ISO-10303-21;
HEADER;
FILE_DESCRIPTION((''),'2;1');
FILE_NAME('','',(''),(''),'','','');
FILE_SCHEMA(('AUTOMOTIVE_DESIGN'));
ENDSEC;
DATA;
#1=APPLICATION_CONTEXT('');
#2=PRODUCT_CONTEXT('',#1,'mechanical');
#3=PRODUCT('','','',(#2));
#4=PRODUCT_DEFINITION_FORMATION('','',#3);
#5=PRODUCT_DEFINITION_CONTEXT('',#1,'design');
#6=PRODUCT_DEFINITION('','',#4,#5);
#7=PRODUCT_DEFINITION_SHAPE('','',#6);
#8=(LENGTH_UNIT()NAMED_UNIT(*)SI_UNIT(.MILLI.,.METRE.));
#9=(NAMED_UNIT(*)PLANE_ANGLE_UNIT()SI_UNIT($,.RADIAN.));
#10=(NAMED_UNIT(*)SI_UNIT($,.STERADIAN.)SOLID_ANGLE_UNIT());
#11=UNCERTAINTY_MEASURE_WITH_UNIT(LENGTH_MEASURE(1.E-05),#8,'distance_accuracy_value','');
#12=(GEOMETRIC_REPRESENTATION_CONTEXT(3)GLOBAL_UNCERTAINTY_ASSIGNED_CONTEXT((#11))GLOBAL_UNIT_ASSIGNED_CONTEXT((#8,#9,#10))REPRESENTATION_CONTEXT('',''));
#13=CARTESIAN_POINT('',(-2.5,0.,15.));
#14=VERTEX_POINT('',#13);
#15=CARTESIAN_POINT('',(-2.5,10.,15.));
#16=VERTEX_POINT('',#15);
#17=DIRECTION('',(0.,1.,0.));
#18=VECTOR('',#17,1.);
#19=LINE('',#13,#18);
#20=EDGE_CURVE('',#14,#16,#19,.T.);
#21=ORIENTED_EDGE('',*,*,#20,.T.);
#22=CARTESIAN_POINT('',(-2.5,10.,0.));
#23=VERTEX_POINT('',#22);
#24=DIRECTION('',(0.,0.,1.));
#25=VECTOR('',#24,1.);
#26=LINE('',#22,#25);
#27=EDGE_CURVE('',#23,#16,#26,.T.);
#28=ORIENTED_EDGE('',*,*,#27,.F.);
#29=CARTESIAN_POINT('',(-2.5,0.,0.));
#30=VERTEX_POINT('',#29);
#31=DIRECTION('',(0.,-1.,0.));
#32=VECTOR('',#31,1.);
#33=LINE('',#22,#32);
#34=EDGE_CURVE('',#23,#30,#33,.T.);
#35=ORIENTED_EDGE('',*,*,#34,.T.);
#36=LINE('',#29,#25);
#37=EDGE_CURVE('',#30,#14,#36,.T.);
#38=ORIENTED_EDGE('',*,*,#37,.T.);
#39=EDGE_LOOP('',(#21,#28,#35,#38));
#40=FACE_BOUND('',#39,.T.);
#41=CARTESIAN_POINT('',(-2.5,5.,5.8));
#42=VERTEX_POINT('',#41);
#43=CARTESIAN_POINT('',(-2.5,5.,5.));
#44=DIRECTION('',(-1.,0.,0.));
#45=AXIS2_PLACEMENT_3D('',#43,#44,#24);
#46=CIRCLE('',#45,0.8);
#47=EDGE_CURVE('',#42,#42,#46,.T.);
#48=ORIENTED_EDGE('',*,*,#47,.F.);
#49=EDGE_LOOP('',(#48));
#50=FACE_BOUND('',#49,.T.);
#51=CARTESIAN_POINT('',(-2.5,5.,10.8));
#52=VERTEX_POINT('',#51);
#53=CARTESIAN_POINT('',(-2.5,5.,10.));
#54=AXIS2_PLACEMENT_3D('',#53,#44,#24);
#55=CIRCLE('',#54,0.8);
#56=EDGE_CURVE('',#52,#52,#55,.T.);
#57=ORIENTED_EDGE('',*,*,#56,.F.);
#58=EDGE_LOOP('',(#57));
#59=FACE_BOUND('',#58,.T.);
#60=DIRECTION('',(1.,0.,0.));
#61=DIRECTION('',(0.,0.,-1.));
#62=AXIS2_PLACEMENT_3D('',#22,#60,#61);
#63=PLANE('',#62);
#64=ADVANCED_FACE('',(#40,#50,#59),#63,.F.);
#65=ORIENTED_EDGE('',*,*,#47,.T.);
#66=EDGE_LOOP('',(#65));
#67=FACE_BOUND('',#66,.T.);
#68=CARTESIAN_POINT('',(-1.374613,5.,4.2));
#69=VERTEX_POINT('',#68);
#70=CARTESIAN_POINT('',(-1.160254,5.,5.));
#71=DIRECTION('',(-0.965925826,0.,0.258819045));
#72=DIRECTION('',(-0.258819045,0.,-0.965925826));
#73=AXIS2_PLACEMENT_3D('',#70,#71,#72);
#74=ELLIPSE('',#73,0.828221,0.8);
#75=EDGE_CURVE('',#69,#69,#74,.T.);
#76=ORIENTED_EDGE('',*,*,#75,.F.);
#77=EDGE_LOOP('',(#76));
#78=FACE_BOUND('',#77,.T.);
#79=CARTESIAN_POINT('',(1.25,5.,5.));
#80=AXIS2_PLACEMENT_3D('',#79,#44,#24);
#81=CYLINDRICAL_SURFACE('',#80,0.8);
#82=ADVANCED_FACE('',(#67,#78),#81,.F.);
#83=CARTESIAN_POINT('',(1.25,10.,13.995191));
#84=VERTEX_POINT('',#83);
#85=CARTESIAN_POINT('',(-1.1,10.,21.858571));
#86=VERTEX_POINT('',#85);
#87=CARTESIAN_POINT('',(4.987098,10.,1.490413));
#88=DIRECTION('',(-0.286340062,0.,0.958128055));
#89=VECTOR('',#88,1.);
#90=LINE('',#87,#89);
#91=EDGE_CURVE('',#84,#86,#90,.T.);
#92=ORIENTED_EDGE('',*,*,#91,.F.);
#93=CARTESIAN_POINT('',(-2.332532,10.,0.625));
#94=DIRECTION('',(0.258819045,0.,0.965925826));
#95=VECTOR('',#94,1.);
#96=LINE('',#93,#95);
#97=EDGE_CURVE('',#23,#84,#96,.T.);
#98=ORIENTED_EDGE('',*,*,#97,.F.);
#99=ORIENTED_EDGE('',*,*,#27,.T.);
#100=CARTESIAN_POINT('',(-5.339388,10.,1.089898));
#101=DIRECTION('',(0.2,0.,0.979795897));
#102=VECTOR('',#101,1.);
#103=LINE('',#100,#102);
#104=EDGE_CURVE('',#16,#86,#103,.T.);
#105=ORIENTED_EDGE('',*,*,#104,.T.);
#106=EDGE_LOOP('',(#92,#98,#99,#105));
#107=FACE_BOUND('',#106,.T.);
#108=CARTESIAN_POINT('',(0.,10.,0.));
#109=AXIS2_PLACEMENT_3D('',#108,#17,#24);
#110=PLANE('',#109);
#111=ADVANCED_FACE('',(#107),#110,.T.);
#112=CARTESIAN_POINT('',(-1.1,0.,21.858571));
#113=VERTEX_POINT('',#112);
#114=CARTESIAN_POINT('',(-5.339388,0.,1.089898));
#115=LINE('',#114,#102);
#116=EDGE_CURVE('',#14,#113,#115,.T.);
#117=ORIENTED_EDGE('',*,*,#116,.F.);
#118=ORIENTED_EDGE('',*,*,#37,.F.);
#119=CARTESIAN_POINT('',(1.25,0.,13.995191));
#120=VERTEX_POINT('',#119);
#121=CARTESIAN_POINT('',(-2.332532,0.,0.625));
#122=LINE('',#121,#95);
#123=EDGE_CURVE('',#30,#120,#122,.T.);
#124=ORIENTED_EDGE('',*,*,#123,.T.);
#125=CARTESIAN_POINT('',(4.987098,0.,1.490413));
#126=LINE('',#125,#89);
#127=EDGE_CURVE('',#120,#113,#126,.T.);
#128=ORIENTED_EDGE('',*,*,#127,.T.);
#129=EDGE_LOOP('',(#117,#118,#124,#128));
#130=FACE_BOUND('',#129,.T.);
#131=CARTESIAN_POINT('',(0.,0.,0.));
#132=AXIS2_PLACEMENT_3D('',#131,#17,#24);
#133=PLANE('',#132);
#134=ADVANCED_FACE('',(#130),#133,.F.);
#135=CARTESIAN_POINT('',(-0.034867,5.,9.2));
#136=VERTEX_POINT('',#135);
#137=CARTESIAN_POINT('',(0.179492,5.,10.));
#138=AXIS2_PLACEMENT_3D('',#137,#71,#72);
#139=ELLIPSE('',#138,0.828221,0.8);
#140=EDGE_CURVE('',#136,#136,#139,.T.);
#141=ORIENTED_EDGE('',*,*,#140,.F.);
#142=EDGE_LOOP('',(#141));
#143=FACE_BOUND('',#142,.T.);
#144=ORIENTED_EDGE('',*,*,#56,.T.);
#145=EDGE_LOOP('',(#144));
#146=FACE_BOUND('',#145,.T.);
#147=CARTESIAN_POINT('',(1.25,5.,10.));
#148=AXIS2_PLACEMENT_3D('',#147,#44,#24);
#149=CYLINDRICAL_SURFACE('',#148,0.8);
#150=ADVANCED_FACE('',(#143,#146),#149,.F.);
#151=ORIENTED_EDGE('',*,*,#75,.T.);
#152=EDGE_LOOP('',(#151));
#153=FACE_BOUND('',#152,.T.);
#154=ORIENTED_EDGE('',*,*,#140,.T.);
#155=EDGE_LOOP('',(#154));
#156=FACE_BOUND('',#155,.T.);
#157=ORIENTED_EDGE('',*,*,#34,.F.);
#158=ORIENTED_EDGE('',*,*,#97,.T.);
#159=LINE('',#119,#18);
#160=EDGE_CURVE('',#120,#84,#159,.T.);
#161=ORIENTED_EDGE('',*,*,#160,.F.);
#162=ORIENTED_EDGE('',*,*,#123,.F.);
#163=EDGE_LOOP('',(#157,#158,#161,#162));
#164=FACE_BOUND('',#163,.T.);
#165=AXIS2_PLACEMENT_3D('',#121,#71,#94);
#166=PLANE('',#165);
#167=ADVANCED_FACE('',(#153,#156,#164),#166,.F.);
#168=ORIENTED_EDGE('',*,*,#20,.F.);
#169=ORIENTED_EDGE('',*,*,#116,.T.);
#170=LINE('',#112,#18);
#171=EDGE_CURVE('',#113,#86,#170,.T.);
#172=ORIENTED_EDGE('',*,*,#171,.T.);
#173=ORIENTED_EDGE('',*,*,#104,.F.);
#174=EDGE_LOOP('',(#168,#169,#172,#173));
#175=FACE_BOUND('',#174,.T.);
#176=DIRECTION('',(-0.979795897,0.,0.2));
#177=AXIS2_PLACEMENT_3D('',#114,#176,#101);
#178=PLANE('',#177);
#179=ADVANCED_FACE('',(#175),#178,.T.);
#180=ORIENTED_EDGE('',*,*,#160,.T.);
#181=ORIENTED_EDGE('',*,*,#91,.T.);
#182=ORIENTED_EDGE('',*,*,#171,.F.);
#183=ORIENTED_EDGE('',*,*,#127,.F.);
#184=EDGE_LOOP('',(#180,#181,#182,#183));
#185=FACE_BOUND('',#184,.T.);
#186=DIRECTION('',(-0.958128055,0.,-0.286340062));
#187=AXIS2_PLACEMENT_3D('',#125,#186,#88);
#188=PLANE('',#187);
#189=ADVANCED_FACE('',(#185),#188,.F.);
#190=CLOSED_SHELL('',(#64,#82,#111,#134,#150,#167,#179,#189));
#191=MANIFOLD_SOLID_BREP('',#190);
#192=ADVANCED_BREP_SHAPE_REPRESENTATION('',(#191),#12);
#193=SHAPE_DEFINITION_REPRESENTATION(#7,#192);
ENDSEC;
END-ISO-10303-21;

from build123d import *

# Parameters (mm, degrees)
SKETCH_2_W          = 5
SKETCH_2_H          = 32
EXTRUDE_1_DEPTH     = 10
CUT_EXTRUDE_1_DEPTH = 34.619190948
SKETCH_4_R          = 0.8
CUT_EXTRUDE_2_DEPTH = 25.328165537


with BuildPart() as part:
    # 草图2 → 凸台-拉伸1 (new body)
    with BuildSketch(Plane(origin=(0, 0, 0), x_dir=(1, 0, 0), z_dir=(0, 1, 0))):
        with Locations((0, -16)):
            Rectangle(SKETCH_2_W, SKETCH_2_H)
    extrude(amount=EXTRUDE_1_DEPTH)

    # 草图3 → 切除-拉伸1 (cut, through all)
    with BuildSketch(Plane(origin=(0, 10, 0), x_dir=(1, 0, 0), z_dir=(0, 1, 0))):
        Polygon((2.5, -18.660254038), (1.25, -13.995190528), (-1.1, -21.85857128), (-2.5, -15), (-2.5, -32), (2.5, -32), align=None)
        Polygon((2.5, 0), (-2.5, 0), (1.25, -13.995190528), (2.5, -18.660254038), align=None)
    extrude(amount=-CUT_EXTRUDE_1_DEPTH, mode=Mode.SUBTRACT)

    # 草图4 → 切除-拉伸2 (cut, through all)
    with BuildSketch(Plane.ZY.offset(2.5)):
        with Locations((5, 5)):
            Circle(SKETCH_4_R)
        with Locations((10, 5)):
            Circle(SKETCH_4_R)
    extrude(amount=-CUT_EXTRUDE_2_DEPTH, mode=Mode.SUBTRACT)


solid = part.part
